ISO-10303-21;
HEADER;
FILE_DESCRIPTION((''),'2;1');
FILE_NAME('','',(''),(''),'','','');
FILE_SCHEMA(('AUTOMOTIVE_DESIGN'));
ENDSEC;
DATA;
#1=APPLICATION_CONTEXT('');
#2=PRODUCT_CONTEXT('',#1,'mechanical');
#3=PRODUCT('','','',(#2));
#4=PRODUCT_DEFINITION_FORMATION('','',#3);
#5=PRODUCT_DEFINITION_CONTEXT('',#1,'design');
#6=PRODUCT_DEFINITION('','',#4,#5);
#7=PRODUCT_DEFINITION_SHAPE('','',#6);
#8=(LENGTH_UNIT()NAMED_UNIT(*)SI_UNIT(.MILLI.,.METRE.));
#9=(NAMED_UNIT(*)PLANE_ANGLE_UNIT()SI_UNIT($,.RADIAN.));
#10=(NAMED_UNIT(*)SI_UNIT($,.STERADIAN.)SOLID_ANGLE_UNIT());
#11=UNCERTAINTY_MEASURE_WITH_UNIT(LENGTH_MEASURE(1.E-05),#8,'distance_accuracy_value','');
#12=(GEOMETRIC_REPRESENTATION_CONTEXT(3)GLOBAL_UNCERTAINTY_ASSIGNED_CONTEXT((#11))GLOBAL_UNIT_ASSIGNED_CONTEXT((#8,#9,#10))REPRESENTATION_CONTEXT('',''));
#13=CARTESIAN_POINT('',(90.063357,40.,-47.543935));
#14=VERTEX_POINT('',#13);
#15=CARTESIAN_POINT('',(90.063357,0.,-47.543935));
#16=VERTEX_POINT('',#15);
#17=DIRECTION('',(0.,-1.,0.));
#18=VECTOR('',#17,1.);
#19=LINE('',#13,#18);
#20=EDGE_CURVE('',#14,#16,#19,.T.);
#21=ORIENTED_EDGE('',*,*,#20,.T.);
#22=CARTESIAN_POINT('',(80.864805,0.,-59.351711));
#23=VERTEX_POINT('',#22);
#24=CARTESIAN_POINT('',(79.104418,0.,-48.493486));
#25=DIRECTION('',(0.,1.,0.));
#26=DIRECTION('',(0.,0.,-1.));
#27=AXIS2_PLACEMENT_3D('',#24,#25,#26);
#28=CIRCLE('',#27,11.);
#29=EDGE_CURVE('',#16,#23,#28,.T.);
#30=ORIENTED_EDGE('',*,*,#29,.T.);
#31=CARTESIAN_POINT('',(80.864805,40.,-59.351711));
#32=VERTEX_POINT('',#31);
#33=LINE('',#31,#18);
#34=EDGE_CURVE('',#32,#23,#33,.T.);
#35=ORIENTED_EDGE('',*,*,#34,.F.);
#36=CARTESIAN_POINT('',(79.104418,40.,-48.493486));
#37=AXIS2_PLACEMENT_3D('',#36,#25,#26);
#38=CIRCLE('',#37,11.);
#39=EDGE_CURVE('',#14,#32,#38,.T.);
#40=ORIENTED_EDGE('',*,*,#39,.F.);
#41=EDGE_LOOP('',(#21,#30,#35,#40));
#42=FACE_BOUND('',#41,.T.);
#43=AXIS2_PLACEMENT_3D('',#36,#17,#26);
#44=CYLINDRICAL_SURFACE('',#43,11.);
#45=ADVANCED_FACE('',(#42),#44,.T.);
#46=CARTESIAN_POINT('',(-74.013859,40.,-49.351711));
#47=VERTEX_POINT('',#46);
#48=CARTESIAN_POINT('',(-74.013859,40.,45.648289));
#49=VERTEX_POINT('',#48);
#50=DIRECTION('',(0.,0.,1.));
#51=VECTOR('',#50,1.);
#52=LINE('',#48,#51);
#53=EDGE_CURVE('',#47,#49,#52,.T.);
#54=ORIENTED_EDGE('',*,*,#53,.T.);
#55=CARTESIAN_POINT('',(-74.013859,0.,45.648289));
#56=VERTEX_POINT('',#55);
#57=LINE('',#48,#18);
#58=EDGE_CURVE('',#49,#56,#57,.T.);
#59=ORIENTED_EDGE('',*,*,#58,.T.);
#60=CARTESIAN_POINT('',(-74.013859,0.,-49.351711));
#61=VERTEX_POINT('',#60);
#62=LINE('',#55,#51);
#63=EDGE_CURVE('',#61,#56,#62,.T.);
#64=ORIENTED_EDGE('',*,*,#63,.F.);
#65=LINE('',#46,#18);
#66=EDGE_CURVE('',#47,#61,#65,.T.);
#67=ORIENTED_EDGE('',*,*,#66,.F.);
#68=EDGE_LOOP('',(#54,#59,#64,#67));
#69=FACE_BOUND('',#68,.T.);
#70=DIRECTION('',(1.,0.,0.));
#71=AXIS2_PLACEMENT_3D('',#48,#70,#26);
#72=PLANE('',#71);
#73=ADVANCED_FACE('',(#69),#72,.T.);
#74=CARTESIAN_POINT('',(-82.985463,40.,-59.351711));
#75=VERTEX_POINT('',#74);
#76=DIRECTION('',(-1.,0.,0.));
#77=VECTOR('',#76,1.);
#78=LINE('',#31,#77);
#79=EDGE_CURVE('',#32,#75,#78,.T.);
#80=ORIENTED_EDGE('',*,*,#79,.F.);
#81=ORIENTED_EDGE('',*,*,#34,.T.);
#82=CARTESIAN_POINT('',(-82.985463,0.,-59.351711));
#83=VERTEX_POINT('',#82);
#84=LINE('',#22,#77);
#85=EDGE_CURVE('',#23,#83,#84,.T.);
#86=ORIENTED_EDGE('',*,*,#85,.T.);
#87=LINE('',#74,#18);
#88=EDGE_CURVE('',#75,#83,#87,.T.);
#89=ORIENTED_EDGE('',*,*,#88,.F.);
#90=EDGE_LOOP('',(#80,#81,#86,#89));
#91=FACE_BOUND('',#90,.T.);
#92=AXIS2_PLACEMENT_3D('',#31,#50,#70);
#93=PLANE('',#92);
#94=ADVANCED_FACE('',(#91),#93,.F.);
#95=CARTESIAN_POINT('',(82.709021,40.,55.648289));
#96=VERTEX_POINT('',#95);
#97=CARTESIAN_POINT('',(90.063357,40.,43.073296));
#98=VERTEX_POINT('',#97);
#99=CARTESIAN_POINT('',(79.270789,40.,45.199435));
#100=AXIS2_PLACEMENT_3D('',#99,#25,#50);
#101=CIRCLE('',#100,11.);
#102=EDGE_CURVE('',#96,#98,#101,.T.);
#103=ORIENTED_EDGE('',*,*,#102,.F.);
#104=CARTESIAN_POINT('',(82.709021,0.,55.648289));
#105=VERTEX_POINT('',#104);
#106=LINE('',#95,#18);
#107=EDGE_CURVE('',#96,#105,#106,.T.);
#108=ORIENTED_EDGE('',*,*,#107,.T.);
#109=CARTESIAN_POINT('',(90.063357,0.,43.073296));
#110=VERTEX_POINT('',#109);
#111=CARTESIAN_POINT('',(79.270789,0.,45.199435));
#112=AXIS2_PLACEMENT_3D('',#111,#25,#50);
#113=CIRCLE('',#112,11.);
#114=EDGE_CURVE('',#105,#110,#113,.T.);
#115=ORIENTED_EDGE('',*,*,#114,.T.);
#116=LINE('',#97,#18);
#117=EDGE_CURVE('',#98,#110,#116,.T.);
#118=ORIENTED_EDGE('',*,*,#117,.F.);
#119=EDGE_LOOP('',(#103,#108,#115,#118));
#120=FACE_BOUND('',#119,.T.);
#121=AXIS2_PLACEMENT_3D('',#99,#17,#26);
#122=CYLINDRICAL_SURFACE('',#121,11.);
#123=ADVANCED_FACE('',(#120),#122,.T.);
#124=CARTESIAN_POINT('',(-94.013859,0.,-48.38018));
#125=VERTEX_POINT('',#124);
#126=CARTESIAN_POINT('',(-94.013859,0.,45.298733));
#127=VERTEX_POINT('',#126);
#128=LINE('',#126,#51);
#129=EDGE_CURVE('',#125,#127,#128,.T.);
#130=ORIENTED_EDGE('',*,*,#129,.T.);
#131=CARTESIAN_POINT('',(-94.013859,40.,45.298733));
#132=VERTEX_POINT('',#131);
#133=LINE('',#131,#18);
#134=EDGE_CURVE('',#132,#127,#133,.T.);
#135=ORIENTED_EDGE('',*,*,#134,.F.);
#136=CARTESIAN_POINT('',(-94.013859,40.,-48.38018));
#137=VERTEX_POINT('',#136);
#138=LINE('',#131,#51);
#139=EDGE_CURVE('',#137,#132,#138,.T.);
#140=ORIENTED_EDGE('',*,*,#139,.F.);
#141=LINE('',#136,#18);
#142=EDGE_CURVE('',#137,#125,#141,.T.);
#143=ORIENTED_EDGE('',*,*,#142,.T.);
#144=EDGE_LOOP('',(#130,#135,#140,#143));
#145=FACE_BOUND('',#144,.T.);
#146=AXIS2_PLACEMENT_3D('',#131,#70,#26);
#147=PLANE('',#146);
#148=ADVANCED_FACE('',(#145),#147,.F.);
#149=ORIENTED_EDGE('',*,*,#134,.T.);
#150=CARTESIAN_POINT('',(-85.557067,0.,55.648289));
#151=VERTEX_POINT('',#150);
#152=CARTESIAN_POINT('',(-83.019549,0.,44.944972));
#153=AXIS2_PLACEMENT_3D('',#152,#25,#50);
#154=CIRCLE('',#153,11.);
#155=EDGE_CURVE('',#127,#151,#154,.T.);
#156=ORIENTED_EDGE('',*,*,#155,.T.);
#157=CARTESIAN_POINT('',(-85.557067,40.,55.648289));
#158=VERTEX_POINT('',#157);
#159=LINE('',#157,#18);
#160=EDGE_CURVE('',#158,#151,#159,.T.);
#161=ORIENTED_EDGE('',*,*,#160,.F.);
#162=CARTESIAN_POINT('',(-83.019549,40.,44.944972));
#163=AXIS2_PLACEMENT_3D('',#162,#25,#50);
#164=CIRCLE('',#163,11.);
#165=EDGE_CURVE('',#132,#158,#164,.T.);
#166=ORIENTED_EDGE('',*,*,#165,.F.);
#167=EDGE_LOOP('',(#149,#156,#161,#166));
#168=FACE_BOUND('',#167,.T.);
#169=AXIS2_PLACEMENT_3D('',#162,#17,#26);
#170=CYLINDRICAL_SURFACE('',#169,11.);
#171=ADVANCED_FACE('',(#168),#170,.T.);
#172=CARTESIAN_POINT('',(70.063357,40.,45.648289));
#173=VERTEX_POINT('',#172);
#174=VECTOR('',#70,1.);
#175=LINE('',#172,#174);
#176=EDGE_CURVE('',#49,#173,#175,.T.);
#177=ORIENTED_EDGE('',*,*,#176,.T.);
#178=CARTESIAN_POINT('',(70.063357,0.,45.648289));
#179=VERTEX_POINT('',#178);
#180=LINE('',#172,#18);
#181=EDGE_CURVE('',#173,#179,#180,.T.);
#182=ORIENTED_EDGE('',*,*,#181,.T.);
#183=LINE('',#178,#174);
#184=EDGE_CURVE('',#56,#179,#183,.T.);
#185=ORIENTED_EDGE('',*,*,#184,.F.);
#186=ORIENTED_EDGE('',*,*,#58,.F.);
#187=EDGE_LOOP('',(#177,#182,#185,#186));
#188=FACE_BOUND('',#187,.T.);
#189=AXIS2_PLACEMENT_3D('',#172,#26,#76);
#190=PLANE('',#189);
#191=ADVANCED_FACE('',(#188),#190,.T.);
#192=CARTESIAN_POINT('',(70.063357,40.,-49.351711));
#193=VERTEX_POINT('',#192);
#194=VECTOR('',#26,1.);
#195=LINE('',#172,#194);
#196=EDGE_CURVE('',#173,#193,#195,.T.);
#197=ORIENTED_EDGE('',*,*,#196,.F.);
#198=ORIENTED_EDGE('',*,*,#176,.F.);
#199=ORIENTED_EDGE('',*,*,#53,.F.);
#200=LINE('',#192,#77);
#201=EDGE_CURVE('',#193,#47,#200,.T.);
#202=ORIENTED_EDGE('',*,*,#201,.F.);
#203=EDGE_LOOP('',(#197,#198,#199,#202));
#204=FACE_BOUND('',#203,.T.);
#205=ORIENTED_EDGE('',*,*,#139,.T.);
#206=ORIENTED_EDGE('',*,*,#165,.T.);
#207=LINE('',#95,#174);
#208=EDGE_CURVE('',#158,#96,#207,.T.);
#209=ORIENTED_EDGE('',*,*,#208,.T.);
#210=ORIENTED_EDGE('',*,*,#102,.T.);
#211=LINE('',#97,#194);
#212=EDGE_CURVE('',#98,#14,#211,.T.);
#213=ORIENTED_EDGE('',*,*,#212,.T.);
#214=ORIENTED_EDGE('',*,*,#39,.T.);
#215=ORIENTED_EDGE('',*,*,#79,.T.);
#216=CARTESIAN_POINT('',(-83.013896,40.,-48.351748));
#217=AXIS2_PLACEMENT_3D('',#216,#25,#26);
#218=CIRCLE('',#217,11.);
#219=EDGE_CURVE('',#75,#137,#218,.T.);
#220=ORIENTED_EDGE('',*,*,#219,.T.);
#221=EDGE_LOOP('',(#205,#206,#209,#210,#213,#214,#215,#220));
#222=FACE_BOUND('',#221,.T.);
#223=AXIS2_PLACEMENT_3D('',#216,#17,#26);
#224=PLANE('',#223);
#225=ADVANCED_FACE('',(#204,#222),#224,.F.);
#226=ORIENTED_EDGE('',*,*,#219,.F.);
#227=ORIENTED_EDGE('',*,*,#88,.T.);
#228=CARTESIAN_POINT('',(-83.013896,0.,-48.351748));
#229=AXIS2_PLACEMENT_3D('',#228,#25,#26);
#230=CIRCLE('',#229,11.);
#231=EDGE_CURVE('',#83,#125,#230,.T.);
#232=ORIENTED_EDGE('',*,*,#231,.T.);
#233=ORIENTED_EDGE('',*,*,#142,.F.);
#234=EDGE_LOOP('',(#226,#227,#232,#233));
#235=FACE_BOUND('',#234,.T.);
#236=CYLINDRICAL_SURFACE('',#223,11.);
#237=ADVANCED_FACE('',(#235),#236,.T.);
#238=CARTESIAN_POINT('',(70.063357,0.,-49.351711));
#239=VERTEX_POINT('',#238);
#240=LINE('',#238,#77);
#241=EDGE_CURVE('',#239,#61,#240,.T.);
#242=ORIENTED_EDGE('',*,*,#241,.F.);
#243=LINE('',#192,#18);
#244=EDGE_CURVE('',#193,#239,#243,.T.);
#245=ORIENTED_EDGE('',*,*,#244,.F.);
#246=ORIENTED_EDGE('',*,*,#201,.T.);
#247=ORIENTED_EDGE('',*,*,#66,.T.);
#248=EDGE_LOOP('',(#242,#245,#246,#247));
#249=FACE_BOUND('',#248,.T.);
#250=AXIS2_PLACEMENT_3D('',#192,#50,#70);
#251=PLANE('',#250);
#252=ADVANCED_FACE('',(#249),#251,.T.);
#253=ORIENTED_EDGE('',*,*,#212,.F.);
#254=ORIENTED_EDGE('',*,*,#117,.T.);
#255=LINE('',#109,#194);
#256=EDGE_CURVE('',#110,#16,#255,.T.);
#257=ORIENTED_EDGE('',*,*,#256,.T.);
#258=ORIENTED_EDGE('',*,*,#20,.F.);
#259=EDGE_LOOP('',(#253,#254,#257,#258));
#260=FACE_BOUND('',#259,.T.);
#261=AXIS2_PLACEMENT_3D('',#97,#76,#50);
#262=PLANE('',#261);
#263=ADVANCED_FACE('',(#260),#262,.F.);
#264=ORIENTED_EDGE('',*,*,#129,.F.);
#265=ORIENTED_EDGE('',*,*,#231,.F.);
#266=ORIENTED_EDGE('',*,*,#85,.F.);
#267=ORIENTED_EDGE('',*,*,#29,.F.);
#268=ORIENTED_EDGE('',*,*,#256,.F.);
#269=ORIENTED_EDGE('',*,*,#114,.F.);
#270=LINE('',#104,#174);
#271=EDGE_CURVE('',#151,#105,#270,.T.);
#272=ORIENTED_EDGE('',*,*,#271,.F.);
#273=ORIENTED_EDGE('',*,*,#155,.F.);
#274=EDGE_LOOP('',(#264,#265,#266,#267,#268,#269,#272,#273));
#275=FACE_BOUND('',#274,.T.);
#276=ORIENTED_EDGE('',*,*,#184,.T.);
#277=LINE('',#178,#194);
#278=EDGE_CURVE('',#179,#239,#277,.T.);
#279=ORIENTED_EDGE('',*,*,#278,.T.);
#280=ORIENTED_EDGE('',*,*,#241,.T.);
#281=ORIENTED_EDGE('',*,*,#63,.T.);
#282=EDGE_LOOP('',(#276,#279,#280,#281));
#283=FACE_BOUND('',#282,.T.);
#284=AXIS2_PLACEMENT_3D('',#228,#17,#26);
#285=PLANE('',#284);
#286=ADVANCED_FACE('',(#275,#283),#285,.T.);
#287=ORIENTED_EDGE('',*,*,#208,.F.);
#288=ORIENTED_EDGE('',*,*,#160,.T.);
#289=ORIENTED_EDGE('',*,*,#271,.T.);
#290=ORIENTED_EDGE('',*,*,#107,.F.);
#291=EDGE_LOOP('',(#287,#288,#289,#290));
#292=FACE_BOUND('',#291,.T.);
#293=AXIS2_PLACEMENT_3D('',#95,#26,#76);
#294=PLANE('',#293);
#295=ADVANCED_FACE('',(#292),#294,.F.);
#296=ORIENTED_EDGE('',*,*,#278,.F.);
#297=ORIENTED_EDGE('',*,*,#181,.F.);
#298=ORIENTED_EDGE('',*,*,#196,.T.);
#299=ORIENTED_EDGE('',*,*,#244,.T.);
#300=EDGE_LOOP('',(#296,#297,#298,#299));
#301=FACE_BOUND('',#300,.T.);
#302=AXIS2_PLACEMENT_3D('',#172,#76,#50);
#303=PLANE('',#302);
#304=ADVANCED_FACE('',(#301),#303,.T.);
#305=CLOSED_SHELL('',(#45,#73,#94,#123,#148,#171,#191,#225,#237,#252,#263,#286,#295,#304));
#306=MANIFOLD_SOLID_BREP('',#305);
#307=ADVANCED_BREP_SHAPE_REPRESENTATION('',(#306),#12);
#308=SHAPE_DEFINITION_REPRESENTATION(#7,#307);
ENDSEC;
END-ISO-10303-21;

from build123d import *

# Parameters (mm, degrees)
SKETCH1_W           = 144.077216911
SKETCH1_H           = 95
BOSS_EXTRUDE1_DEPTH = 40
SKETCH1_2_W         = 144.077216911
SKETCH1_2_H         = 95
BOSS_EXTRUDE2_DEPTH = 40


with BuildPart() as part:
    # Sketch1 → Boss-Extrude1 (new body)
    with BuildSketch(Plane(origin=(0, 0, 0), x_dir=(1, 0, 0), z_dir=(0, 1, 0))):
        with BuildLine():
            Line((82.709021157, -55.64828922), (-85.557066869, -55.64828922))
            ThreePointArc((-85.557066869, -55.64828922), (-91.537525449, -51.905150215), (-94.013859445, -45.298733306))
            Line((-94.013859445, -45.298733306), (-94.013859445, 48.380180377))
            ThreePointArc((-94.013859445, 48.380180377), (-90.771939739, 56.150001197), (-82.985463341, 59.35171078))
            Line((-82.985463341, 59.35171078), (80.864804877, 59.35171078))
            ThreePointArc((80.864804877, 59.35171078), (87.782044869, 55.253574592), (90.063357466, 47.543935031))
            Line((90.063357466, 47.543935031), (90.063357466, -43.073295521))
            ThreePointArc((90.063357466, -43.073295521), (88.766131999, -50.752673698), (82.709021157, -55.64828922))
        make_face()
        with Locations((-1.97525099, 1.85171078)):
            Rectangle(SKETCH1_W, SKETCH1_H, mode=Mode.SUBTRACT)
    extrude(amount=BOSS_EXTRUDE1_DEPTH)

    # Sketch1<2> → Boss-Extrude2 (add)
    with BuildSketch(Plane(origin=(0, 0, 0), x_dir=(1, 0, 0), z_dir=(0, 1, 0))):
        with BuildLine():
            Line((82.709021157, -55.64828922), (-85.557066869, -55.64828922))
            ThreePointArc((-85.557066869, -55.64828922), (-91.537525449, -51.905150215), (-94.013859445, -45.298733306))
            Line((-94.013859445, -45.298733306), (-94.013859445, 48.380180377))
            ThreePointArc((-94.013859445, 48.380180377), (-90.771939739, 56.150001197), (-82.985463341, 59.35171078))
            Line((-82.985463341, 59.35171078), (80.864804877, 59.35171078))
            ThreePointArc((80.864804877, 59.35171078), (87.782044869, 55.253574592), (90.063357466, 47.543935031))
            Line((90.063357466, 47.543935031), (90.063357466, -43.073295521))
            ThreePointArc((90.063357466, -43.073295521), (88.766131999, -50.752673698), (82.709021157, -55.64828922))
        make_face()
        with Locations((-1.97525099, 1.85171078)):
            Rectangle(SKETCH1_2_W, SKETCH1_2_H, mode=Mode.SUBTRACT)
    extrude(amount=BOSS_EXTRUDE2_DEPTH)


solid = part.part
